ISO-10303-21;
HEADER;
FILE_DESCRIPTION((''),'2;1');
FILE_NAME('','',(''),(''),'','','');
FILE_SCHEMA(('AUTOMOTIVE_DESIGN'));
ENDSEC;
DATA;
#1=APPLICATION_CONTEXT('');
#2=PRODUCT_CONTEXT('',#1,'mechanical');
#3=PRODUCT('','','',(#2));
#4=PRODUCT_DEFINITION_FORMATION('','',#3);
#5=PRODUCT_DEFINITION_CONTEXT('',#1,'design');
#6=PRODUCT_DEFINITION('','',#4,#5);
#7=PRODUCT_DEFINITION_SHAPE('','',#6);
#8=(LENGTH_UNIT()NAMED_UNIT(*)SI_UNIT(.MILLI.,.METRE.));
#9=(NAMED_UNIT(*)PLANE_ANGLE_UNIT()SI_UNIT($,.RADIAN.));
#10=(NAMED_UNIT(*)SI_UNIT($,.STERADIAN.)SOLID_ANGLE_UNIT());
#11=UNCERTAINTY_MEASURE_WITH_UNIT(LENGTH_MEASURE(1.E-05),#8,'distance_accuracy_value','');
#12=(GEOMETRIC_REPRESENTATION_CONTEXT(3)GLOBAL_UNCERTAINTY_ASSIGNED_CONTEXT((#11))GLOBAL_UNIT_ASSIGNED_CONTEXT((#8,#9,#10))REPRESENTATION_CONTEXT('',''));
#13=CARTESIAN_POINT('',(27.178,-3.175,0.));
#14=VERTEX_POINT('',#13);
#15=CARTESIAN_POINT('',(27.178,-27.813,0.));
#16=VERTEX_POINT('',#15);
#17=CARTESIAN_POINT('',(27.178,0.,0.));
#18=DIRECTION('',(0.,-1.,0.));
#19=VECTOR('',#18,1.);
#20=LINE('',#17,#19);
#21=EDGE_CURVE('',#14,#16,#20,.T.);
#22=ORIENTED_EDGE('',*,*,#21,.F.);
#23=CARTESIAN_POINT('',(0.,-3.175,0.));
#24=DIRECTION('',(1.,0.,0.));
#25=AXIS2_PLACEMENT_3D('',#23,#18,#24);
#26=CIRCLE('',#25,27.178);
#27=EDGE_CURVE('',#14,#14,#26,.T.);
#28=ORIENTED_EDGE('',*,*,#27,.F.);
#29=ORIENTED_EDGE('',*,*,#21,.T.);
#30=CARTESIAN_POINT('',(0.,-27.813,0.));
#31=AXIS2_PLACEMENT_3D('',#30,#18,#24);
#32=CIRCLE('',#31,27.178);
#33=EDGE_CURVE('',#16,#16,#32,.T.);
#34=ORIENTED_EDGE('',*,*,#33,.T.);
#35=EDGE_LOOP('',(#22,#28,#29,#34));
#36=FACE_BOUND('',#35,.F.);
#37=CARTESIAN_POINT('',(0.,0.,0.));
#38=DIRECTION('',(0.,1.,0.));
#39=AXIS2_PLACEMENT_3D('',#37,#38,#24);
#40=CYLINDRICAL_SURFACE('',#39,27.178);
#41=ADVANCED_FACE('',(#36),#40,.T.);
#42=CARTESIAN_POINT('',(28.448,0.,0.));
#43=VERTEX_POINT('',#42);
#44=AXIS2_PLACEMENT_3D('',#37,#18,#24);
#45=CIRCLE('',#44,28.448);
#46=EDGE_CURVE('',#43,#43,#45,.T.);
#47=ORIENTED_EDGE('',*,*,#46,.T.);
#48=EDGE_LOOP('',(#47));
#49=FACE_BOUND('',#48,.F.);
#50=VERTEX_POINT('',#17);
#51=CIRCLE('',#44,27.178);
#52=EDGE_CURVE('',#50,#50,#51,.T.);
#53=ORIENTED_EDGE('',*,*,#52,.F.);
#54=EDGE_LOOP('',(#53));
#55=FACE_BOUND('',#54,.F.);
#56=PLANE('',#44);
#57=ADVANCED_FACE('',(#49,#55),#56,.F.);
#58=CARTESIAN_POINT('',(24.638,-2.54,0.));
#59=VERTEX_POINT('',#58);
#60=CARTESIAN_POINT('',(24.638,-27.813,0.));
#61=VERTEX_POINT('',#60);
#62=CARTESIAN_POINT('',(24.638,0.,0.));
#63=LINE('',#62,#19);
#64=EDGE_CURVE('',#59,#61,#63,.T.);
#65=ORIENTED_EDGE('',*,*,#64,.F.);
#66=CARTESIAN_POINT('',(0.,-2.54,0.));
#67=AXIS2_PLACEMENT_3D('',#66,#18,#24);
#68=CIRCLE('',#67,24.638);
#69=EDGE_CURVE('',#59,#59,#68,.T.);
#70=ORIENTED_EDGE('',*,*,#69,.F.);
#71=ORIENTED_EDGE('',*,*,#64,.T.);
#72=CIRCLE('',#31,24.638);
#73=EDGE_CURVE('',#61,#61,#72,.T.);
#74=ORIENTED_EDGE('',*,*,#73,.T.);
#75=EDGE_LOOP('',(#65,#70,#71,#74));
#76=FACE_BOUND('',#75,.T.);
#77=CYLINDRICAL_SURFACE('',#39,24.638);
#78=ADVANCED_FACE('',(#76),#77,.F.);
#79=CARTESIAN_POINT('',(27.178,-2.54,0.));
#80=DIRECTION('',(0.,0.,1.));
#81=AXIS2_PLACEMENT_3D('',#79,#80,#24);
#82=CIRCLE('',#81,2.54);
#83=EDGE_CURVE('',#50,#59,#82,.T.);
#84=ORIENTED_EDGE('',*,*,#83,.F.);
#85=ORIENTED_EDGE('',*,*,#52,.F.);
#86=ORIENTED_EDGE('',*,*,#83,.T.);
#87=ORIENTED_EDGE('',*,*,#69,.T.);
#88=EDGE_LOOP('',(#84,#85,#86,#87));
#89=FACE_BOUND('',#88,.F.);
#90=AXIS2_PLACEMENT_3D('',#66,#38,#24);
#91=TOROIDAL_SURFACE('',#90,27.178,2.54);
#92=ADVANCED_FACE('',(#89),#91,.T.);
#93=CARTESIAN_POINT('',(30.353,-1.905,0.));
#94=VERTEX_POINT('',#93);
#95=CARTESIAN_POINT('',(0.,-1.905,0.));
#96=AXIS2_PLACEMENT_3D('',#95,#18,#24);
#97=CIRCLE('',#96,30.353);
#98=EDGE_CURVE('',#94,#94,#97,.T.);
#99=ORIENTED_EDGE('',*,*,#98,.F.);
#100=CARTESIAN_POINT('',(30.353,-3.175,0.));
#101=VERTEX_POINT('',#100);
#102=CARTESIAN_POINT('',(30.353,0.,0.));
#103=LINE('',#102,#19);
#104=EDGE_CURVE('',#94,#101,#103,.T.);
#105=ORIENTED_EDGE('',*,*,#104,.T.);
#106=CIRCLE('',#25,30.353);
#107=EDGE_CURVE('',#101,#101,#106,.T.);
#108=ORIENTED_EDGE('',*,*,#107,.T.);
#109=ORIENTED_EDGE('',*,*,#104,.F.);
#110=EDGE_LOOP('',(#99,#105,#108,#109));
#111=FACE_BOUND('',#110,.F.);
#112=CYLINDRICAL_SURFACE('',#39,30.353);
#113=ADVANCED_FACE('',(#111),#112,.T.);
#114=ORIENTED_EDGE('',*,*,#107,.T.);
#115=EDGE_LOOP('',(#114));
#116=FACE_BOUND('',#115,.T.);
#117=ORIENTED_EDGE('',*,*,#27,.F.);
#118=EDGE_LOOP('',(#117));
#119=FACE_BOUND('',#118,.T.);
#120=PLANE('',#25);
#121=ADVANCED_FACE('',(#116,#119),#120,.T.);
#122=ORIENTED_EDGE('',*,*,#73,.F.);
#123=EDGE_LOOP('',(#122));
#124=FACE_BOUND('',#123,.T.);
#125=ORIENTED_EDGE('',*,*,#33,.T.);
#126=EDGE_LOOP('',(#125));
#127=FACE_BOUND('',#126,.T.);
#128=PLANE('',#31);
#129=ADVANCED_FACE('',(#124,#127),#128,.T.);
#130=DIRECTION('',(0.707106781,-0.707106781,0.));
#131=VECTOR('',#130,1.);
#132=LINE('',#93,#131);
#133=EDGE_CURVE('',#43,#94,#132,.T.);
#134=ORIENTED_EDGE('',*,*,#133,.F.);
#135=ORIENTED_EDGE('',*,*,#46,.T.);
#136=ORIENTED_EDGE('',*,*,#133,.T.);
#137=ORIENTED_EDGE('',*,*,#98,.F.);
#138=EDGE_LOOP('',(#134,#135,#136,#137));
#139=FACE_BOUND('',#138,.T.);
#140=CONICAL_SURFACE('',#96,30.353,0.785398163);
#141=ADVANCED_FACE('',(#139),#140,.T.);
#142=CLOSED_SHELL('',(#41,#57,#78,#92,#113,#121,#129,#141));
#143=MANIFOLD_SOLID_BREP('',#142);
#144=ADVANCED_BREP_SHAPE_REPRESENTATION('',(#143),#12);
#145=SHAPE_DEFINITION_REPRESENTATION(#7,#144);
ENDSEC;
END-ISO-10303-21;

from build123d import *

# Parameters (mm, degrees)
F0_R     = 27.178
F0_R_2   = 24.638
F1_DEPTH = 27.813
F0_R_3   = 30.353
F2_DEPTH = 3.175
F3_R     = 2.54
F4_SIZE  = 1.905


with BuildPart() as f1:
    # F0 (on Front) → F1 (new body)
    with BuildSketch(Plane.XZ):
        Circle(F0_R)
        Circle(F0_R_2, mode=Mode.SUBTRACT)
    extrude(amount=F1_DEPTH)

    # F0 (on Front) → F2 (join)
    with BuildSketch(Plane.XZ):
        Circle(F0_R_3)
        Circle(F0_R, mode=Mode.SUBTRACT)
    extrude(amount=F2_DEPTH)

    # F3
    f3_edges = [f1.edges().sort_by_distance(p)[0] for p in [
        (-24.638, 0, 0),
    ]]
    fillet(f3_edges, radius=F3_R)

    # F4
    f4_edges = [f1.edges().sort_by_distance(p)[0] for p in [
        (-30.353, 0, 0),
    ]]
    chamfer(f4_edges, length=F4_SIZE)


solid = f1.part
